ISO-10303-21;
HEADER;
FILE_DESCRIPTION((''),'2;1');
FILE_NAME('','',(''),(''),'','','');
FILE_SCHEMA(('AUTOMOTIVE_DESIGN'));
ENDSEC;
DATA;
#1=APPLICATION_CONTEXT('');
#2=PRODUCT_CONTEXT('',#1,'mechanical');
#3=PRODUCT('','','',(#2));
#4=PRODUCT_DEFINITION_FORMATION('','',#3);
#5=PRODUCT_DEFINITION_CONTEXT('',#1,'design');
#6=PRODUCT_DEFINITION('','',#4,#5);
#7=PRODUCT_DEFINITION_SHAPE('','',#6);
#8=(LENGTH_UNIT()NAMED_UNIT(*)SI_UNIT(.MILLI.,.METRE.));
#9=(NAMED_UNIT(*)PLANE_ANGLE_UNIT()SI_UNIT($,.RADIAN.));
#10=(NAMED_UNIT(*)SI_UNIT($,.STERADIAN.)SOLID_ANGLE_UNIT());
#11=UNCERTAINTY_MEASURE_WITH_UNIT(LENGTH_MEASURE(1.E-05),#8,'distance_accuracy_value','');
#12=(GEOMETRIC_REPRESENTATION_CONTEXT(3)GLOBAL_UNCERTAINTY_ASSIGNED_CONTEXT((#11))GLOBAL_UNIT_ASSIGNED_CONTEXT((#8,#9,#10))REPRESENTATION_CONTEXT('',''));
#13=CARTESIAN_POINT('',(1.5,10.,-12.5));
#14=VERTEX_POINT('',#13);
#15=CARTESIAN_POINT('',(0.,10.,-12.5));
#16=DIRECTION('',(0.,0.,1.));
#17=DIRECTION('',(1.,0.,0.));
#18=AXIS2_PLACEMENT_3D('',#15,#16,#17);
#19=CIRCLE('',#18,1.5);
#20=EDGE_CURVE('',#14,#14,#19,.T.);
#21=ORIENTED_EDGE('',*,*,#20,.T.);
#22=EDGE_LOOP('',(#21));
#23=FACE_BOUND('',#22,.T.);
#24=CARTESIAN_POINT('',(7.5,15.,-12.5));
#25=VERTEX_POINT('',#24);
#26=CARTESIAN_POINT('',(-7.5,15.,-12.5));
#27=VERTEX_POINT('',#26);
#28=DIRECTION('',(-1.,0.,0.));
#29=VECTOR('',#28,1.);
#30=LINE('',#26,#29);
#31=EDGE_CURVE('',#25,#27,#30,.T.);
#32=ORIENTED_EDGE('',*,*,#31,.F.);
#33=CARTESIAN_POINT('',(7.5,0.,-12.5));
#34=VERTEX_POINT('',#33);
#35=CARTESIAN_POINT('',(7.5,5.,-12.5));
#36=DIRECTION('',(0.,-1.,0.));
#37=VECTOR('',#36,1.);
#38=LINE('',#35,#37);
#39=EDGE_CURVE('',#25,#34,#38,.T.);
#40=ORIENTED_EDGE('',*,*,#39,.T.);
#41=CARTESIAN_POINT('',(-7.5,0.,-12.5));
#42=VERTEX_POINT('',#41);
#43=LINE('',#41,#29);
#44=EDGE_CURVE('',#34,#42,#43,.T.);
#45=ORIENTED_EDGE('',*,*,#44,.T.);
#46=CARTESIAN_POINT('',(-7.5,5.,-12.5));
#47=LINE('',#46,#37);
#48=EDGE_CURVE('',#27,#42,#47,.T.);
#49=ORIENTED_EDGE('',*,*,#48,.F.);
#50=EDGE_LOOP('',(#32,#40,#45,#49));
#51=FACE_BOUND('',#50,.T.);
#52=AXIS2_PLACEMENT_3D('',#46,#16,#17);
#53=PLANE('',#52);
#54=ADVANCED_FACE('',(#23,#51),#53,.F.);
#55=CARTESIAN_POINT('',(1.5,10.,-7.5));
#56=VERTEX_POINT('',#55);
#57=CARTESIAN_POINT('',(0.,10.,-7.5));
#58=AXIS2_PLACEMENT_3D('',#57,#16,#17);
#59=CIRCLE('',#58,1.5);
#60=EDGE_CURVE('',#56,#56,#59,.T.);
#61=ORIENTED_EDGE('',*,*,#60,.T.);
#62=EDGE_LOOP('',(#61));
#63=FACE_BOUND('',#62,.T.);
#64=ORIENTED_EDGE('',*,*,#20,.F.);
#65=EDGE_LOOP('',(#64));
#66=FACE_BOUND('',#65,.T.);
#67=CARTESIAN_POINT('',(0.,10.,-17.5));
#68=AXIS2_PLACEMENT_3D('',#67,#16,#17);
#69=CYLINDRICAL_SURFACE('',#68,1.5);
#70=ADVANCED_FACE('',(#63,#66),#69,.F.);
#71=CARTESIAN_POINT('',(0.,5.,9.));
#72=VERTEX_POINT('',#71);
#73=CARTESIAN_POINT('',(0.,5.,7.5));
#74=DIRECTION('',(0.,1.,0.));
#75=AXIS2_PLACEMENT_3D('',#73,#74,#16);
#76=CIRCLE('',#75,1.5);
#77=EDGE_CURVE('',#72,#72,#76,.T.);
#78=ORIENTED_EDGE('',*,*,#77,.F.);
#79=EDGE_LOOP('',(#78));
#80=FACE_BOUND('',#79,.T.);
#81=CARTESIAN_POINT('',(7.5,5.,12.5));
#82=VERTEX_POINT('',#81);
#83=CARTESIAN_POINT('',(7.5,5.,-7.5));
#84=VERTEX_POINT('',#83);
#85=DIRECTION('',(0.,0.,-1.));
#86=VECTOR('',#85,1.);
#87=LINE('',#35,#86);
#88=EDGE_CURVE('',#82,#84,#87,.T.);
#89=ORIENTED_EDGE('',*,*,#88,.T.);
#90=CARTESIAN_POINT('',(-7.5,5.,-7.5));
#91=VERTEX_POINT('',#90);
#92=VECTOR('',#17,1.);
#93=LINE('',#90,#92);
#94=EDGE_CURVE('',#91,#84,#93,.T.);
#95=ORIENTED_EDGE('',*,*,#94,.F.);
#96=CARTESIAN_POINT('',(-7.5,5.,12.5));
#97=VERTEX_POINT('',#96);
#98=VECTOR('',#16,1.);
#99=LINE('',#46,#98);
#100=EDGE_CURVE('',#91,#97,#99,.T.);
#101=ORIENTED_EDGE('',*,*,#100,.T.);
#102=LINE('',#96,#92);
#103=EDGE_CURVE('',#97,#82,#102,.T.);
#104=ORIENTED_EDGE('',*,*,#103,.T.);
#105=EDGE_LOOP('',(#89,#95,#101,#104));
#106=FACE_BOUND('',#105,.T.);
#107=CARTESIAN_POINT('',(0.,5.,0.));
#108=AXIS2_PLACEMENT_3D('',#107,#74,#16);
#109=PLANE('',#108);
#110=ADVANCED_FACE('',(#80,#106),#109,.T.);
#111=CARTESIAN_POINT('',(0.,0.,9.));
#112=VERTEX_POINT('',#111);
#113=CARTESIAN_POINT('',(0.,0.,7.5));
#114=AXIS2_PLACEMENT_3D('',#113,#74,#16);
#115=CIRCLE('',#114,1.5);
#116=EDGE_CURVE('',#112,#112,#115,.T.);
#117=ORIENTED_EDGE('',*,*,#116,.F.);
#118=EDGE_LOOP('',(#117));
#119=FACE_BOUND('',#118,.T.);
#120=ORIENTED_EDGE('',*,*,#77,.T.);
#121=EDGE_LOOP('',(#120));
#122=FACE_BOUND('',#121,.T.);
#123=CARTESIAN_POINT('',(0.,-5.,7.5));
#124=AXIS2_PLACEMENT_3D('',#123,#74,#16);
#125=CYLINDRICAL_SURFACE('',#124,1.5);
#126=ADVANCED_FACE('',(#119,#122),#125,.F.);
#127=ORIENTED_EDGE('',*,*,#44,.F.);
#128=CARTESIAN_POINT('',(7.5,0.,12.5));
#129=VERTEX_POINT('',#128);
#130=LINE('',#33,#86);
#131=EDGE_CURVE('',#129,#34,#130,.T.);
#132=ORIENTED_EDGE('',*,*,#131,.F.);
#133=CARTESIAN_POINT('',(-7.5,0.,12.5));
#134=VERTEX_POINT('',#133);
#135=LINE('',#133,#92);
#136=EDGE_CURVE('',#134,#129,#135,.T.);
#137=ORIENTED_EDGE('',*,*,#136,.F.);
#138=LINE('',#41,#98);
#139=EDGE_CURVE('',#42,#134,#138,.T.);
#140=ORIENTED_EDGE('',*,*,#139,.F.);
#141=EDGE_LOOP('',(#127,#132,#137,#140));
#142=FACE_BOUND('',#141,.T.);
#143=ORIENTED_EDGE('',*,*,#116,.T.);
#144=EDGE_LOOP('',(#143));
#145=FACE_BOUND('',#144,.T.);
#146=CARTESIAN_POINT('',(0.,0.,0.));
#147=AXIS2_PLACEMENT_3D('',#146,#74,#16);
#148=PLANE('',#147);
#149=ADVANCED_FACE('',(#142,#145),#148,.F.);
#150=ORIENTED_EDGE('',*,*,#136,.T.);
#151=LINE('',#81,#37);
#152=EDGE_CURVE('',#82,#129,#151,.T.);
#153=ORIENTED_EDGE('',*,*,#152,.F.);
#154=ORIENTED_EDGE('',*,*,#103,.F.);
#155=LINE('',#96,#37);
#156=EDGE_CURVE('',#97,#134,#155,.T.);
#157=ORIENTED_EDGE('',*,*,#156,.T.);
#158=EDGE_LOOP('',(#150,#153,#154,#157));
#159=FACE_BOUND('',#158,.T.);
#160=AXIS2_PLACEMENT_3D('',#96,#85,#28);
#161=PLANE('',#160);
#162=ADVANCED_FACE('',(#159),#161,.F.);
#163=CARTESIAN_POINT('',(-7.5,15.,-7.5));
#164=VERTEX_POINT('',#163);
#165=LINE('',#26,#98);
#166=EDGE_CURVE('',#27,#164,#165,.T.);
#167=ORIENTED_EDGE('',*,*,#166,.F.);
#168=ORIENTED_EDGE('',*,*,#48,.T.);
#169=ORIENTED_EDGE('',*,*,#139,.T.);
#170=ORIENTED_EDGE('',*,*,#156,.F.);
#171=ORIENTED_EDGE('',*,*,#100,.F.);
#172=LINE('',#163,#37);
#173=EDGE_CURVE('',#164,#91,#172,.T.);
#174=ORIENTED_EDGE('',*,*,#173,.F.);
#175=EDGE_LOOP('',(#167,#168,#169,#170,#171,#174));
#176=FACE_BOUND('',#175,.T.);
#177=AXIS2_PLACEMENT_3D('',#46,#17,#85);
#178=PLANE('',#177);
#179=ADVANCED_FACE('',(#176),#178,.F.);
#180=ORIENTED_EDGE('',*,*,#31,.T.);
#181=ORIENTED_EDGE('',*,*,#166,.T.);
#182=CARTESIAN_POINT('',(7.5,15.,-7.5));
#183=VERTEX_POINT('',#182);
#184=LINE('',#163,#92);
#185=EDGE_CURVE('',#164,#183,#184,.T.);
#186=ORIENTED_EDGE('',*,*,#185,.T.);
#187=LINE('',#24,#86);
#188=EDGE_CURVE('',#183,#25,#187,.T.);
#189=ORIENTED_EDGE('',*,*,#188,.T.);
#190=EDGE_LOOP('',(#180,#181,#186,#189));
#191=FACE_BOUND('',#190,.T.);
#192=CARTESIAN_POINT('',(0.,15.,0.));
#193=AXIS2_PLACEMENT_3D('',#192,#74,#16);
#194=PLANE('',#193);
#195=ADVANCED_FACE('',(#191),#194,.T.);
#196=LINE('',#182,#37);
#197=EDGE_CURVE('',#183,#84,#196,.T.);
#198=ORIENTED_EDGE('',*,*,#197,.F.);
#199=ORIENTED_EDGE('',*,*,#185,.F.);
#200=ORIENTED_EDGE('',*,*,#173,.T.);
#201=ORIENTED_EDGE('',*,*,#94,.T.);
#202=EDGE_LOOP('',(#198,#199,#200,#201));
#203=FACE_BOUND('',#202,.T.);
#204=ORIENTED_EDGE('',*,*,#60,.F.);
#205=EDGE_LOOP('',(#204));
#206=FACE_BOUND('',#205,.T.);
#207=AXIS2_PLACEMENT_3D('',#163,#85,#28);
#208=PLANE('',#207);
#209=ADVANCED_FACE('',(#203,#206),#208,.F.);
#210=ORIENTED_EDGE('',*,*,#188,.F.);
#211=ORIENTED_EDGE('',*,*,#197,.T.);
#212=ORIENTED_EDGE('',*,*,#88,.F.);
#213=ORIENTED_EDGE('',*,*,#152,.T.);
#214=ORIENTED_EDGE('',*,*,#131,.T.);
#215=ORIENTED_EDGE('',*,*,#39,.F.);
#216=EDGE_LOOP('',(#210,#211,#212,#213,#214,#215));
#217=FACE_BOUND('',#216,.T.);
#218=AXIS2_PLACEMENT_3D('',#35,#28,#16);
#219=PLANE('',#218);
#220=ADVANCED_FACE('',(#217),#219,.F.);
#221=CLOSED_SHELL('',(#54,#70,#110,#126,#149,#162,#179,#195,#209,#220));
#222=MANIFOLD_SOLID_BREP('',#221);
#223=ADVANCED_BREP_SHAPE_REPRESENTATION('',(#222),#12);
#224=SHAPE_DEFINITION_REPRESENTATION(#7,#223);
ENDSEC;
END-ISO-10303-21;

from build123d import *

# Parameters (mm, degrees)
SKETCH1_W      = 15
SKETCH1_H      = 25
EXTRUDE1_DEPTH = 5
SKETCH2_W      = 15
SKETCH2_H      = 5
EXTRUDE2_DEPTH = 10
SKETCH3_R      = 1.5
EXTRUDE3_DEPTH = 10
SKETCH4_R      = 1.5
EXTRUDE4_DEPTH = 10


with BuildPart() as part:
    # Sketch1 → Extrude1 (new body)
    with BuildSketch(Plane(origin=(0, 0, 0), x_dir=(1, 0, 0), z_dir=(0, 1, 0))):
        Rectangle(SKETCH1_W, SKETCH1_H)
    extrude(amount=EXTRUDE1_DEPTH)

    # Sketch2 → Extrude2 (add)
    with BuildSketch(Plane(origin=(0, 5, 0), x_dir=(1, 0, 0), z_dir=(0, 1, 0))):
        with Locations((0, 10)):
            Rectangle(SKETCH2_W, SKETCH2_H)
    extrude(amount=EXTRUDE2_DEPTH)

    # Sketch3 → Extrude3 (cut)
    with BuildSketch(Plane(origin=(0, 5, 0), x_dir=(1, 0, 0), z_dir=(0, 1, 0))):
        with Locations(Location((0, -7.5, 0), (0, 0, 270))):
            Circle(SKETCH3_R)
    extrude(amount=-EXTRUDE3_DEPTH, mode=Mode.SUBTRACT)

    # Sketch4 → Extrude4 (cut)
    with BuildSketch(Plane.XY.offset(-7.5)):
        with Locations((0, 10)):
            Circle(SKETCH4_R)
    extrude(amount=-EXTRUDE4_DEPTH, mode=Mode.SUBTRACT)


solid = part.part
